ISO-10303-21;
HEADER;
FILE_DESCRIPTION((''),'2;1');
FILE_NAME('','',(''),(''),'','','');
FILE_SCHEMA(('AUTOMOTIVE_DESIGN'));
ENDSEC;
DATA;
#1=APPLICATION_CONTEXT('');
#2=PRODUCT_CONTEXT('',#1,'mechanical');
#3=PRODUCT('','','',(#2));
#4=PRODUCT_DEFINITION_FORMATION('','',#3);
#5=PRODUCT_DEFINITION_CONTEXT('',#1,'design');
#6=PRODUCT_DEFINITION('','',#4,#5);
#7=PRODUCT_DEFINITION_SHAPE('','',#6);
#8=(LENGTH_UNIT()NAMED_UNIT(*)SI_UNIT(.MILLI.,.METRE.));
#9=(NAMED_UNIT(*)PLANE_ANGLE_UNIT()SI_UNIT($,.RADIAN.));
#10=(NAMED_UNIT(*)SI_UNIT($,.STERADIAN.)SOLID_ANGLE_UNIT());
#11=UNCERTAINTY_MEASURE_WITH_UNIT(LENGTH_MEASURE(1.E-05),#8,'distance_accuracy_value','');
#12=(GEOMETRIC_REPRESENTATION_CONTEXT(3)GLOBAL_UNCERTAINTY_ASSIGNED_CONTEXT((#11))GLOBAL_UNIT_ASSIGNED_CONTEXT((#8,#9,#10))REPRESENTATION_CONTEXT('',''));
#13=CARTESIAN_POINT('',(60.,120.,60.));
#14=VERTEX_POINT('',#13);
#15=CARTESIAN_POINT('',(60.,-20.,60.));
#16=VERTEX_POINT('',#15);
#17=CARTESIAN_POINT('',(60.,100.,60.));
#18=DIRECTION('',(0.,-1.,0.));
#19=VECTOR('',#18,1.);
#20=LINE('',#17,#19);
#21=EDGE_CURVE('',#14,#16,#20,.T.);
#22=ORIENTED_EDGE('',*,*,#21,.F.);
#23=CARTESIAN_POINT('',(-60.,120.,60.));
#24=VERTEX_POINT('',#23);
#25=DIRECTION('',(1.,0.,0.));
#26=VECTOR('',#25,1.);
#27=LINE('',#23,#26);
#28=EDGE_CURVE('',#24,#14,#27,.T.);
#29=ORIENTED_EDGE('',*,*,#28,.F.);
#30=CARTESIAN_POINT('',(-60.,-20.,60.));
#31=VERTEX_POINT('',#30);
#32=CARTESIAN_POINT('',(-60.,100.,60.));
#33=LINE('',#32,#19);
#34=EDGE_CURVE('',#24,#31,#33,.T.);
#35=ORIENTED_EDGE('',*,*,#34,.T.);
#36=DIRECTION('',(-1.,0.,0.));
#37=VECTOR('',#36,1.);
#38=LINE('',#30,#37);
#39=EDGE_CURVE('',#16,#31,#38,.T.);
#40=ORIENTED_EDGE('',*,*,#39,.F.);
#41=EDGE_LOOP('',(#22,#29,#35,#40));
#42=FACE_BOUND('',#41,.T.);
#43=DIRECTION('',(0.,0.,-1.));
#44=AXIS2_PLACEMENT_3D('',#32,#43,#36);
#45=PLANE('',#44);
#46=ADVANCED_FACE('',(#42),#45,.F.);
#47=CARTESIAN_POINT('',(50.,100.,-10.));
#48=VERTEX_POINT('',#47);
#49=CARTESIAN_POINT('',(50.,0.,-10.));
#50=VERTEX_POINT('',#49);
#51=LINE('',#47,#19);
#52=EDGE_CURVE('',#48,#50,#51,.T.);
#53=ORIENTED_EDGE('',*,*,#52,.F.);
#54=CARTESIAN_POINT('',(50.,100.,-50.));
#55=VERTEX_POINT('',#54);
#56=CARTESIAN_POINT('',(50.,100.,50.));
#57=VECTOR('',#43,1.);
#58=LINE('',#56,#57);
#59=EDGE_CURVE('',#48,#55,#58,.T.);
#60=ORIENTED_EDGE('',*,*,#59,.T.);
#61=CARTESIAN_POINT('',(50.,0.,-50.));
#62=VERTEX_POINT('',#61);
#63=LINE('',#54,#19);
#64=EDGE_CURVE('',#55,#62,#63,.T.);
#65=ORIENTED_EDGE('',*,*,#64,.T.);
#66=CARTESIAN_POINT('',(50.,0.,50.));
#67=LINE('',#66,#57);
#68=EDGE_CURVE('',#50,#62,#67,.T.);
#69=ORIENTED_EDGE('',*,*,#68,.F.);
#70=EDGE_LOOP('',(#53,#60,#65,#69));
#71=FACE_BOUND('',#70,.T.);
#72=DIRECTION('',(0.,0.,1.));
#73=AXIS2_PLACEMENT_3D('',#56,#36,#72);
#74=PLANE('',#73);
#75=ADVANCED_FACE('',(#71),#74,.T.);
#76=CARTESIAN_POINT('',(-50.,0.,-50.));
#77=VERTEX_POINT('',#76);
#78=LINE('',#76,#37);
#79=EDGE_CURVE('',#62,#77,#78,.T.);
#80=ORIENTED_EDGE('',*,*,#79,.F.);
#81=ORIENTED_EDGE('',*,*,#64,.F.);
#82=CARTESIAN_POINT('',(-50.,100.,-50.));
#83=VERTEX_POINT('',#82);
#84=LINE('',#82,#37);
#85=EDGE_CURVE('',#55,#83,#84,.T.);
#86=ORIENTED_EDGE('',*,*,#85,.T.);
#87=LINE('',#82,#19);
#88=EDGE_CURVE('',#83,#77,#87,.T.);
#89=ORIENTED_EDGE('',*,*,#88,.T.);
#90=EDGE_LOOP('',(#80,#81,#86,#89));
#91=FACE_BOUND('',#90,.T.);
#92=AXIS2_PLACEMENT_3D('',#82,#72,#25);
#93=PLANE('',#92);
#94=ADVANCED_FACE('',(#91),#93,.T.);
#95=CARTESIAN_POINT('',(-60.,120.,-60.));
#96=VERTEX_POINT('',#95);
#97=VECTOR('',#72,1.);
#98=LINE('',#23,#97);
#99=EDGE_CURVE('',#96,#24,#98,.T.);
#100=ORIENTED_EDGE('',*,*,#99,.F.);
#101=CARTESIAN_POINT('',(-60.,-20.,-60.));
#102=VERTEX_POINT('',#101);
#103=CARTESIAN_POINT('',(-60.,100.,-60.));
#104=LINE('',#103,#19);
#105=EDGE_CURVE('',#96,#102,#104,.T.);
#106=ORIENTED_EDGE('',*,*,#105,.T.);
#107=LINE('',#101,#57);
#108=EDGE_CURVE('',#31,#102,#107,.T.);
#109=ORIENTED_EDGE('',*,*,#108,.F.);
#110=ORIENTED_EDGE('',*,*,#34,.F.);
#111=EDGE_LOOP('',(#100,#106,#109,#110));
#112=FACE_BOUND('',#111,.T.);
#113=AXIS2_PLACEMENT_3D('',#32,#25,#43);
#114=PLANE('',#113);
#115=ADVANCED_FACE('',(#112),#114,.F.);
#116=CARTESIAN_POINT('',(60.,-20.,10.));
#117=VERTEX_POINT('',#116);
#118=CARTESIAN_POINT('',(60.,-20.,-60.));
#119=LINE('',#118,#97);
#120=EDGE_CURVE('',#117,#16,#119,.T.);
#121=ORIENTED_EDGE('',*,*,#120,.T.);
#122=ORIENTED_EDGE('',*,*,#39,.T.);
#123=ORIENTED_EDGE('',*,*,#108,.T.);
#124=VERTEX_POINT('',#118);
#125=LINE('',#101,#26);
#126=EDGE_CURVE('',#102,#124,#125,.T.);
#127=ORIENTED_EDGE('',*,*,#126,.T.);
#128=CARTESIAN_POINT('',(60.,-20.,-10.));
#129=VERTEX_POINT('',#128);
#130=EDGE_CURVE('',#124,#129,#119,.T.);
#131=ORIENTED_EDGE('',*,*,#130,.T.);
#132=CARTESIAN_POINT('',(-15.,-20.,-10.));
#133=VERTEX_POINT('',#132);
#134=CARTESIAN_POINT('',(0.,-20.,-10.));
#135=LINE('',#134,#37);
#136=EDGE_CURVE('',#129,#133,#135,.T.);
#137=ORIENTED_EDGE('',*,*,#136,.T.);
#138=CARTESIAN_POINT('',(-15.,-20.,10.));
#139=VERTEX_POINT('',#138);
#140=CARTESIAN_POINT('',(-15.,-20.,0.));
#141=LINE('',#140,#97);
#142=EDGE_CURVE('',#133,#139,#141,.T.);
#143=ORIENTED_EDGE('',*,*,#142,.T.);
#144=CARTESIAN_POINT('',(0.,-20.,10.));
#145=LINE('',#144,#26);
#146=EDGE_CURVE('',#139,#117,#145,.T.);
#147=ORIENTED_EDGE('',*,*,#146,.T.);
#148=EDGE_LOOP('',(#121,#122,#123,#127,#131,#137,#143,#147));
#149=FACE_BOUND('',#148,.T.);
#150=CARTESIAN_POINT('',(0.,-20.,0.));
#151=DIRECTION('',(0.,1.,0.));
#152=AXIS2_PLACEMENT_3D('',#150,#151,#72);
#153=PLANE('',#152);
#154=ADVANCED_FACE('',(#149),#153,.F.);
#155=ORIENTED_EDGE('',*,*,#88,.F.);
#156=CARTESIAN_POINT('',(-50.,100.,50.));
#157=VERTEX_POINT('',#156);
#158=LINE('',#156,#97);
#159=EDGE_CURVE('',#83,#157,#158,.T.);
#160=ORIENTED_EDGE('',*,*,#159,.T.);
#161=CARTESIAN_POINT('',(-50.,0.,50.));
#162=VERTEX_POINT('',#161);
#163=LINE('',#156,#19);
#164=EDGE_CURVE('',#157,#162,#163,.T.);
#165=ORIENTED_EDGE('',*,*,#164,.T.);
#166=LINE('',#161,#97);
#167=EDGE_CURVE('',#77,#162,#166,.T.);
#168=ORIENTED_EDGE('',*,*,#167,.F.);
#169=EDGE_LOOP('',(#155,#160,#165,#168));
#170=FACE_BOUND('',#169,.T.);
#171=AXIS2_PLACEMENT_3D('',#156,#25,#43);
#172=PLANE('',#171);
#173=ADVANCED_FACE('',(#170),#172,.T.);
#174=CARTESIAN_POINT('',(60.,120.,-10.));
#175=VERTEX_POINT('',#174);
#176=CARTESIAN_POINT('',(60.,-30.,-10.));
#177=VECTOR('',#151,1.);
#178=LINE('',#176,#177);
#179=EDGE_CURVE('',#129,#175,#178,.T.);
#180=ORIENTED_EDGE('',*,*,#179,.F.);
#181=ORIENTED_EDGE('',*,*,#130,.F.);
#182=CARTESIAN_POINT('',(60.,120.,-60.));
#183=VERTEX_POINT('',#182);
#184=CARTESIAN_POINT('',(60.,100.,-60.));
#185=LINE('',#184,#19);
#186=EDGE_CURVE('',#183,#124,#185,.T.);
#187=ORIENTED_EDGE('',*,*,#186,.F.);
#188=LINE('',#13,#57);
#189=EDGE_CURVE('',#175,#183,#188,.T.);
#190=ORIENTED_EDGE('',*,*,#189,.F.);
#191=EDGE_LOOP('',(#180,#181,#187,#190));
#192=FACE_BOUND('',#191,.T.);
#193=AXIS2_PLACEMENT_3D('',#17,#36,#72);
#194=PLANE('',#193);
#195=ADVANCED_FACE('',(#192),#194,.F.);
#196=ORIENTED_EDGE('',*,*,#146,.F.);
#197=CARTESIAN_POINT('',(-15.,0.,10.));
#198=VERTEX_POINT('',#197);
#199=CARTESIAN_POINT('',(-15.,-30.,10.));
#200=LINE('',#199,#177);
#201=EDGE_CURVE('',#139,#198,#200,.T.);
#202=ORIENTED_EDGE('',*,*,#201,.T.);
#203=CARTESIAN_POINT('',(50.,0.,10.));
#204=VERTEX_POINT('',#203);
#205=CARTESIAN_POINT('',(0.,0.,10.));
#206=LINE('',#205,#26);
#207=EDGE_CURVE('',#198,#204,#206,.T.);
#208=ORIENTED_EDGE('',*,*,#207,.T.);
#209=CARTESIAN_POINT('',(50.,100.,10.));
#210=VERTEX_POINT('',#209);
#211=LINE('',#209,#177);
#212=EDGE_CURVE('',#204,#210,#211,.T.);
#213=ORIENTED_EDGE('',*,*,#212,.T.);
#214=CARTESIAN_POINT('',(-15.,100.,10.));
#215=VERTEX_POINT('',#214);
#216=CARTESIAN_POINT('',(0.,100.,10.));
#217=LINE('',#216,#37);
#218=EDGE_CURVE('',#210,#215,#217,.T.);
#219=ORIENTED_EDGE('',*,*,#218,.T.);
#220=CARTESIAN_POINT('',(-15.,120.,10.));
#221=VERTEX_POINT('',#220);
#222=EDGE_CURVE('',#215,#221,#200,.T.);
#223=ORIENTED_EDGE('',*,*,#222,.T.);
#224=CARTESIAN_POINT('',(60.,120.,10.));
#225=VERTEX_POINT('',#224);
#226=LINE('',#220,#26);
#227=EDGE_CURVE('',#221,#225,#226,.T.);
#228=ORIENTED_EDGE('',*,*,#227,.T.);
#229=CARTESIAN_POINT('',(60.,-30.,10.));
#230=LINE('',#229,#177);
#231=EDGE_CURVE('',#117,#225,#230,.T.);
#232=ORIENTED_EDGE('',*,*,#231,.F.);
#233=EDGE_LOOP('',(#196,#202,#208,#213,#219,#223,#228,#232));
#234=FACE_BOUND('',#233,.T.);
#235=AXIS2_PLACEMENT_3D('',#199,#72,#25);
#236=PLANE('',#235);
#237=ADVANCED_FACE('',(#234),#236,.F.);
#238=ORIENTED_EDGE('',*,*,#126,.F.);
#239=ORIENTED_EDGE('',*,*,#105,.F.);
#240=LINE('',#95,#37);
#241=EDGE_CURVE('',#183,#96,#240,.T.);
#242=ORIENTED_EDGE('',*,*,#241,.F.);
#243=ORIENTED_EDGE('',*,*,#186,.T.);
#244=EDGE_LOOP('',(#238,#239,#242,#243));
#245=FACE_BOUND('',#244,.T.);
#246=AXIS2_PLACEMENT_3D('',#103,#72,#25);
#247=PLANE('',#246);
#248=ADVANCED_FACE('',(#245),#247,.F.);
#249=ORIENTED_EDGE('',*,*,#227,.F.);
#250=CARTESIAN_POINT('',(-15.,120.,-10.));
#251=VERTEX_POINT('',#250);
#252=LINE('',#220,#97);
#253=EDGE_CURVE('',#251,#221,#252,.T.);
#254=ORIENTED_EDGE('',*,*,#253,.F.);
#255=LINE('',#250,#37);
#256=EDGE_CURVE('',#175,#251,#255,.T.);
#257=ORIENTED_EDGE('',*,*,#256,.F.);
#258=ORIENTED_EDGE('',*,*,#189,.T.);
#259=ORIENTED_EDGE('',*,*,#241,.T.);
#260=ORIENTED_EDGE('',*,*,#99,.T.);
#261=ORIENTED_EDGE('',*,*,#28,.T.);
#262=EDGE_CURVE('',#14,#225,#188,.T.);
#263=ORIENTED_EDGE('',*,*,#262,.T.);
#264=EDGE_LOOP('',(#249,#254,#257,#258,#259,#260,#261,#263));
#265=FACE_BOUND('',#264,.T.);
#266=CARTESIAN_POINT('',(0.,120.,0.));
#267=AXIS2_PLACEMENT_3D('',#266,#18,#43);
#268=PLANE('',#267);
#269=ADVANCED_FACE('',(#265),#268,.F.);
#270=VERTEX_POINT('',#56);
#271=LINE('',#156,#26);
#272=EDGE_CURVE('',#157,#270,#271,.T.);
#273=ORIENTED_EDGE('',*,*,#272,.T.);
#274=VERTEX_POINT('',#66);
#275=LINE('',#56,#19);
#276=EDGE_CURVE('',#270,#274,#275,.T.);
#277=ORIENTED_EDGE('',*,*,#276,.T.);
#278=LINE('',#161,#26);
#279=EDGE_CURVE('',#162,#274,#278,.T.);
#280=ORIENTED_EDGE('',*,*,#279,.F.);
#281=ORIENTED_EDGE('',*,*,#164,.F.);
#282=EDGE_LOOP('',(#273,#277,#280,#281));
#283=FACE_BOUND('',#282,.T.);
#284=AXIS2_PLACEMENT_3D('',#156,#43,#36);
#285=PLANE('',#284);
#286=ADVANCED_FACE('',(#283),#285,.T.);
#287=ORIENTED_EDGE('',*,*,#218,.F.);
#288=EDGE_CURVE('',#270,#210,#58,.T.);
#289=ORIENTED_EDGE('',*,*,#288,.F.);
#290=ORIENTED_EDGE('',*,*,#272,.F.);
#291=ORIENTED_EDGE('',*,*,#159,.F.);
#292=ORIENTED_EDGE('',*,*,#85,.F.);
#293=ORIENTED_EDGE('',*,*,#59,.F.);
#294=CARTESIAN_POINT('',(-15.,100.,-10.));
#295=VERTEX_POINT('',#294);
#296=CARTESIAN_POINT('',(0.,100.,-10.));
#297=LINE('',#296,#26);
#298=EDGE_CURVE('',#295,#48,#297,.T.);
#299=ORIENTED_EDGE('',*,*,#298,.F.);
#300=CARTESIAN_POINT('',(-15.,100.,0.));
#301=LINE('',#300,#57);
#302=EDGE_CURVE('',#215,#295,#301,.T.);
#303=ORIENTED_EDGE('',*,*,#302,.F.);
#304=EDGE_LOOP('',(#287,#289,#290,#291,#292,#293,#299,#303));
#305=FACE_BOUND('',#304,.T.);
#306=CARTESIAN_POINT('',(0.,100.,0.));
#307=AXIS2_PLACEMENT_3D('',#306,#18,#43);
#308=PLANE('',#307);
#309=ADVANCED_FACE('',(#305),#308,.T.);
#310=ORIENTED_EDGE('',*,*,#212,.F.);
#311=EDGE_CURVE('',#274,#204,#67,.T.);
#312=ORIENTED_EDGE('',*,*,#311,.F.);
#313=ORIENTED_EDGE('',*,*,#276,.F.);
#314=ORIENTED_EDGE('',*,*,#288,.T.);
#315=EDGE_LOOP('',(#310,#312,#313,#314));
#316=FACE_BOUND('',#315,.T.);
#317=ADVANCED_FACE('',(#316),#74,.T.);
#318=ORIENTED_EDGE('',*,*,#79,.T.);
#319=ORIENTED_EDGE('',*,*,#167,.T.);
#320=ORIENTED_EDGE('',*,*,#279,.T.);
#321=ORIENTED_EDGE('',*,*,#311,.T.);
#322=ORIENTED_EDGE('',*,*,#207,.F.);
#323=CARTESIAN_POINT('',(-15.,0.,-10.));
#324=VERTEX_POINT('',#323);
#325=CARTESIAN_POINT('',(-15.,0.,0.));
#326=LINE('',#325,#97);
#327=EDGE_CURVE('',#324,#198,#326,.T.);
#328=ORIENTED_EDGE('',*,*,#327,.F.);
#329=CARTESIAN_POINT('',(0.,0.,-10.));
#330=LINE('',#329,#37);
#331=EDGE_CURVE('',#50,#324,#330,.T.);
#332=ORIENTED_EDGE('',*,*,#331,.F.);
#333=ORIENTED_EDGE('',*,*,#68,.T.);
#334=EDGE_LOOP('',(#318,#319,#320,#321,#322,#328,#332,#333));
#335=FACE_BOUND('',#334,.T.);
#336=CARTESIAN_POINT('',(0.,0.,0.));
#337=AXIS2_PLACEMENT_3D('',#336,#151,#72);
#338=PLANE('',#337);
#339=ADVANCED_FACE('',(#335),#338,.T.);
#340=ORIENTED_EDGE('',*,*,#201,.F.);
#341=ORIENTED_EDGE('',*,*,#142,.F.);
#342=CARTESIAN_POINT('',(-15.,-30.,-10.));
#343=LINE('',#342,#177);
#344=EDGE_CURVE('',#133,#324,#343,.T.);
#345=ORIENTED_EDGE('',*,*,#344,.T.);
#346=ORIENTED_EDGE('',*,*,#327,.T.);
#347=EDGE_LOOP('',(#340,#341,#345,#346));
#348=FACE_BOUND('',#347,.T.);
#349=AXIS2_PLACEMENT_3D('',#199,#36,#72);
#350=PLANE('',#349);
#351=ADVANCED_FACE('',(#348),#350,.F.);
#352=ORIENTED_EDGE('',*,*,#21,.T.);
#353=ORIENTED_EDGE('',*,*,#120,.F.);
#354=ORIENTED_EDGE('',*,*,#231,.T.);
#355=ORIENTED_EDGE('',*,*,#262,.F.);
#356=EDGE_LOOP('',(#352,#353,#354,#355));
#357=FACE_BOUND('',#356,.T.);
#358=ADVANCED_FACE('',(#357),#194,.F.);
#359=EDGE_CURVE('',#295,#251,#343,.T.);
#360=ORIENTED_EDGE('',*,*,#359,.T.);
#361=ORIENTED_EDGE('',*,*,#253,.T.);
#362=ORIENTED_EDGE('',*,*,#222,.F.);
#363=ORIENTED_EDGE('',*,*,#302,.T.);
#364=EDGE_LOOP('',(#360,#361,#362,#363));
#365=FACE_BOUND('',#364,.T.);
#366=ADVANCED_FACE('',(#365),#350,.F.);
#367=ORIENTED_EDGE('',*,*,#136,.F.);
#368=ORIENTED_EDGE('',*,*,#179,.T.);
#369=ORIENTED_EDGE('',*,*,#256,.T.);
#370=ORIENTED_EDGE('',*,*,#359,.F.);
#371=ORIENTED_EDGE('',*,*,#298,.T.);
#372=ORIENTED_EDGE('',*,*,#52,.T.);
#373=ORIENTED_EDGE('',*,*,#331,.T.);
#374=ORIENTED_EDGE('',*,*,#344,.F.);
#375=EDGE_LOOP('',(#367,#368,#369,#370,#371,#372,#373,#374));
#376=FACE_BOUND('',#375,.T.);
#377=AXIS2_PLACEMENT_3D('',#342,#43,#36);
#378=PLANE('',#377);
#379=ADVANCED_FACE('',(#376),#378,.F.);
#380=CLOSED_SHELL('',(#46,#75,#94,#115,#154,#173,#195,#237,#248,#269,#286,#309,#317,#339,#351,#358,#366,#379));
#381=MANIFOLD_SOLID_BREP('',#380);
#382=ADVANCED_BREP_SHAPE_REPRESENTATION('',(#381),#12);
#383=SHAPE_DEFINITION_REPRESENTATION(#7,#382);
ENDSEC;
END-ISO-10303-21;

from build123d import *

# Parameters (mm, degrees)
SKETCH2_W           = 120
SKETCH2_H           = 120
SKETCH2_W_2         = 100
SKETCH2_H_2         = 100
BOSS_EXTRUDE1_DEPTH = 100
SKETCH3_W           = 120
SKETCH3_H           = 120
BOSS_EXTRUDE2_DEPTH = 20
SKETCH4_W           = 120
SKETCH4_H           = 120
BOSS_EXTRUDE3_DEPTH = 20
SKETCH5_W           = 75
SKETCH5_H           = 20
CUT_EXTRUDE1_DEPTH  = 150


with BuildPart() as part:
    # Sketch2 → Boss-Extrude1 (new body)
    with BuildSketch(Plane(origin=(0, 0, 0), x_dir=(1, 0, 0), z_dir=(0, 1, 0))):
        Rectangle(SKETCH2_W, SKETCH2_H)
        Rectangle(SKETCH2_W_2, SKETCH2_H_2, mode=Mode.SUBTRACT)
    extrude(amount=BOSS_EXTRUDE1_DEPTH)

    # Sketch3 → Boss-Extrude2 (add)
    with BuildSketch(Plane.XZ):
        Rectangle(SKETCH3_W, SKETCH3_H)
    extrude(amount=BOSS_EXTRUDE2_DEPTH)

    # Sketch4 → Boss-Extrude3 (add)
    with BuildSketch(Plane(origin=(0, 100, 0), x_dir=(1, 0, 0), z_dir=(0, 1, 0))):
        Rectangle(SKETCH4_W, SKETCH4_H)
    extrude(amount=BOSS_EXTRUDE3_DEPTH)

    # Sketch5 → Cut-Extrude1 (cut)
    with BuildSketch(Plane(origin=(0, 120, 0), x_dir=(1, 0, 0), z_dir=(0, 1, 0))):
        with Locations((22.5, 0)):
            Rectangle(SKETCH5_W, SKETCH5_H)
    extrude(amount=-CUT_EXTRUDE1_DEPTH, mode=Mode.SUBTRACT)


solid = part.part
